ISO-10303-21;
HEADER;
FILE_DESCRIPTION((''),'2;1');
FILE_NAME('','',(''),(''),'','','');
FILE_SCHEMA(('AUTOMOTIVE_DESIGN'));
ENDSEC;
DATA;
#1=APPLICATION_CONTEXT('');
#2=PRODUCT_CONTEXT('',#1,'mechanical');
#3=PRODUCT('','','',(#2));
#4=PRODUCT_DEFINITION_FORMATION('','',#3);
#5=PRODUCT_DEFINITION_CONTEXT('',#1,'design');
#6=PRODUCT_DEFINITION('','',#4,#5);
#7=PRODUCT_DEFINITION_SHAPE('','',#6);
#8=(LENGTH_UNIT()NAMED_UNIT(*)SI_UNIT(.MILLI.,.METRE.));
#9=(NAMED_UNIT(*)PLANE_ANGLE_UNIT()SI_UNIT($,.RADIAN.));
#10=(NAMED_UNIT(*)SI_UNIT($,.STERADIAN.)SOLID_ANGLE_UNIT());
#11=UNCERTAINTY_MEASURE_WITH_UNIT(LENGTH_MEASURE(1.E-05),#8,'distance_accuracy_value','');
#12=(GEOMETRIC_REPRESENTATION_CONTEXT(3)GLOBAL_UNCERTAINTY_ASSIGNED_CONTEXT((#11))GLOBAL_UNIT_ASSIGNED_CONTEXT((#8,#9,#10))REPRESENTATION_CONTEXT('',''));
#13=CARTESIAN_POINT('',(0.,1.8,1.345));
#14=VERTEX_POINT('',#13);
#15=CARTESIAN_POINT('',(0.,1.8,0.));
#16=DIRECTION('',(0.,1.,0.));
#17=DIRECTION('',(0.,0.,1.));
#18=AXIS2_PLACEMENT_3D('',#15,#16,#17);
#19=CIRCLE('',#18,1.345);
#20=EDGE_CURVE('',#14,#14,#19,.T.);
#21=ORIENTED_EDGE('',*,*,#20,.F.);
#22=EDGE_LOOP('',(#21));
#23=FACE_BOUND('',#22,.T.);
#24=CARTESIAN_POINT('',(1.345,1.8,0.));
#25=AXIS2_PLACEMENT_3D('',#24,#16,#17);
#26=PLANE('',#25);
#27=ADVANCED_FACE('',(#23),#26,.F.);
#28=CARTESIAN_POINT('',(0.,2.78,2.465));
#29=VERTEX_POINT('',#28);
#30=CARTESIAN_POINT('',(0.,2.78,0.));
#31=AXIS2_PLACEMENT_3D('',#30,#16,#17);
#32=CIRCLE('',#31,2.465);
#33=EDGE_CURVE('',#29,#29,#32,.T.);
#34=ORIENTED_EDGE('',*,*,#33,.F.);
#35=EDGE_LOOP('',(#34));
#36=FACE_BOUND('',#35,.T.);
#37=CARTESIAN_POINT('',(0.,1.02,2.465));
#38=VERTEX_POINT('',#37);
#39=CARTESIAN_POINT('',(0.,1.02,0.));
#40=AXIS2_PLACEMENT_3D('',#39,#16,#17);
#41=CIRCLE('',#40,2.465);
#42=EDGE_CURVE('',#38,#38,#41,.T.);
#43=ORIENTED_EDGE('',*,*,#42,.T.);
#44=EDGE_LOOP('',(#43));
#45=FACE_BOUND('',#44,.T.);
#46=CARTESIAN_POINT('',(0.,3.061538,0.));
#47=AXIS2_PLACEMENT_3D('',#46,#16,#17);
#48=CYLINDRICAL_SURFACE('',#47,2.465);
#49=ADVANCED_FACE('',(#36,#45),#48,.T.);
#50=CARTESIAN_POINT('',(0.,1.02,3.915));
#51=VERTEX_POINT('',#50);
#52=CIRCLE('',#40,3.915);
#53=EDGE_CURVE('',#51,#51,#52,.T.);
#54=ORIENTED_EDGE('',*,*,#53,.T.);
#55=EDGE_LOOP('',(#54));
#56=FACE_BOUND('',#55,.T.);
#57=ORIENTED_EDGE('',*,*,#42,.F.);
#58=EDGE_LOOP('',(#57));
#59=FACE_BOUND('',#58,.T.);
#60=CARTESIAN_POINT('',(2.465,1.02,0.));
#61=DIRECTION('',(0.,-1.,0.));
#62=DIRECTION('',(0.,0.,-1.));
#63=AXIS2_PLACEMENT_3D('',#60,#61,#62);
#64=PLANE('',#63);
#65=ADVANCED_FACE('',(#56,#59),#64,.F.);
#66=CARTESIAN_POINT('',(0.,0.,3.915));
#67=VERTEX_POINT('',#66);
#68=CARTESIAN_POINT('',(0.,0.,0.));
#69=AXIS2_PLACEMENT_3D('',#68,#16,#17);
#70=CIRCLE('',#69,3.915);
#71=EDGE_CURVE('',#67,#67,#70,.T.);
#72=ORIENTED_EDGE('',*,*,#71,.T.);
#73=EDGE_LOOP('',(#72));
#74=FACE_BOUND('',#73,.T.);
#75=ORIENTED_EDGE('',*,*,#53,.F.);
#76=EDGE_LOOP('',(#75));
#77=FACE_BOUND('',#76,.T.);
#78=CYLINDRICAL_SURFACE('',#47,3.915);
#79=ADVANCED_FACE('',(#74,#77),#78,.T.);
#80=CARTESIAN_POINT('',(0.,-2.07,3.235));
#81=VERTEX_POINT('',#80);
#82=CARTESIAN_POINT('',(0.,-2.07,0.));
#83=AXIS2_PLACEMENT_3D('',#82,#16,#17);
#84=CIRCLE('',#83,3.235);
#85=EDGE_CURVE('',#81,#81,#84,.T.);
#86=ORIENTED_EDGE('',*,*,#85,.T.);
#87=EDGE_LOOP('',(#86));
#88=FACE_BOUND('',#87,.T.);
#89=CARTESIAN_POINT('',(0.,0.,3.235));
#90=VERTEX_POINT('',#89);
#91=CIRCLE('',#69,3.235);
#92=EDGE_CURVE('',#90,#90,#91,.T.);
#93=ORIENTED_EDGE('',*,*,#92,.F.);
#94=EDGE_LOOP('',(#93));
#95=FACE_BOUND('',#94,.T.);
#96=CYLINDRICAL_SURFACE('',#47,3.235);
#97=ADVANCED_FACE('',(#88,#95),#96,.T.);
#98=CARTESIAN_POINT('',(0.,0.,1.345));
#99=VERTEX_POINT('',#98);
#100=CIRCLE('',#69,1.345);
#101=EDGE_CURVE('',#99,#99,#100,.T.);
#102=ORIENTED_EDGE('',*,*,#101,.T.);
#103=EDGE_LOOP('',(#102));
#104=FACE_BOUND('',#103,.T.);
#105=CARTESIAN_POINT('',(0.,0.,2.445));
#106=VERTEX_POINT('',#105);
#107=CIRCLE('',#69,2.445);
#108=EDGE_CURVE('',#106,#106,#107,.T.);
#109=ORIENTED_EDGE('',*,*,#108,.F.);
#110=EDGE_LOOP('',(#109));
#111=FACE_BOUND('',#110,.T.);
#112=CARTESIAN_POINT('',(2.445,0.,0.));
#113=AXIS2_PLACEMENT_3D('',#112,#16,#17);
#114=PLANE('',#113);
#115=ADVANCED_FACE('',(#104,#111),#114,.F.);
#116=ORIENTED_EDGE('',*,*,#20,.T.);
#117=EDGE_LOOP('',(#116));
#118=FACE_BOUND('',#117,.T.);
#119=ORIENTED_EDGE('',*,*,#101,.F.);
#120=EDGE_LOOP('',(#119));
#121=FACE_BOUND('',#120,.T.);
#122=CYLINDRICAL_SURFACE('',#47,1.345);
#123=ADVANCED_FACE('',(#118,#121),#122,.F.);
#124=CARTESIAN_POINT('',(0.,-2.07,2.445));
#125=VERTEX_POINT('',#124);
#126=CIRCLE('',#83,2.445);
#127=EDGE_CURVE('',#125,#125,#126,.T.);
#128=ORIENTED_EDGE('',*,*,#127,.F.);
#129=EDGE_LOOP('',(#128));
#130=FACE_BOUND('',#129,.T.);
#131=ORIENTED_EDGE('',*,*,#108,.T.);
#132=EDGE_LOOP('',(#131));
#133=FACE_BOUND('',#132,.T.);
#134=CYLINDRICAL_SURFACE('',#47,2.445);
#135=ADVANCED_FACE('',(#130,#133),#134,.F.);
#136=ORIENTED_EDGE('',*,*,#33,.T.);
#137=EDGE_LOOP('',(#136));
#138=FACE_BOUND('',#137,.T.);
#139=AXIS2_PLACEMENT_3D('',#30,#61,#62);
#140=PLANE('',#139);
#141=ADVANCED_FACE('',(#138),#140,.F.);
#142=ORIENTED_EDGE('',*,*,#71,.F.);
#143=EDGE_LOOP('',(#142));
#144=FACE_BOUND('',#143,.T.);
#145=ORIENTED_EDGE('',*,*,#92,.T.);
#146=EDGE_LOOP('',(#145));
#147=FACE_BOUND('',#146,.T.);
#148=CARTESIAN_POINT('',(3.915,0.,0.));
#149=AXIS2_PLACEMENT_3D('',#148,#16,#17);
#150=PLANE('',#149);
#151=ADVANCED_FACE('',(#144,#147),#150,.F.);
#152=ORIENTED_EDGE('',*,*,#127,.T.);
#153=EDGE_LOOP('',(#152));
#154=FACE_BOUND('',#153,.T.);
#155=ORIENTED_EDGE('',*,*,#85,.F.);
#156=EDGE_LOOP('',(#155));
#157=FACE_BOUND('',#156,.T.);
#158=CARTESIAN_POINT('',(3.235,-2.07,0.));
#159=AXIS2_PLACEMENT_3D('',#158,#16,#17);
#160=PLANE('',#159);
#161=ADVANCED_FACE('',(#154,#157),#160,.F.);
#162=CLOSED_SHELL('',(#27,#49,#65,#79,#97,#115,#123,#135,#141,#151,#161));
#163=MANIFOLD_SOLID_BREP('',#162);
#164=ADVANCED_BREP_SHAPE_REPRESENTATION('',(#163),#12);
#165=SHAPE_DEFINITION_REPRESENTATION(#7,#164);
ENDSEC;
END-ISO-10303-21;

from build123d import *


with BuildPart() as part:
    # Sketch5 → Revolve1 (revolve)
    with BuildSketch(Plane.XY, mode=Mode.PRIVATE) as revolve1_sk:
        Polygon((0, 2.78), (2.465, 2.78), (2.465, 1.02), (3.915, 1.02), (3.915, 0), (3.235, 0), (3.235, -2.07), (2.445, -2.07), (2.445, 0), (1.345, 0), (1.345, 1.8), (0, 1.8), align=None)
    revolve(revolve1_sk.sketch.rotate(Axis((0, 3.061538462, 0), (0, -1, 0)), 90), axis=Axis((0, 3.061538462, 0), (0, -1, 0)))


solid = part.part
